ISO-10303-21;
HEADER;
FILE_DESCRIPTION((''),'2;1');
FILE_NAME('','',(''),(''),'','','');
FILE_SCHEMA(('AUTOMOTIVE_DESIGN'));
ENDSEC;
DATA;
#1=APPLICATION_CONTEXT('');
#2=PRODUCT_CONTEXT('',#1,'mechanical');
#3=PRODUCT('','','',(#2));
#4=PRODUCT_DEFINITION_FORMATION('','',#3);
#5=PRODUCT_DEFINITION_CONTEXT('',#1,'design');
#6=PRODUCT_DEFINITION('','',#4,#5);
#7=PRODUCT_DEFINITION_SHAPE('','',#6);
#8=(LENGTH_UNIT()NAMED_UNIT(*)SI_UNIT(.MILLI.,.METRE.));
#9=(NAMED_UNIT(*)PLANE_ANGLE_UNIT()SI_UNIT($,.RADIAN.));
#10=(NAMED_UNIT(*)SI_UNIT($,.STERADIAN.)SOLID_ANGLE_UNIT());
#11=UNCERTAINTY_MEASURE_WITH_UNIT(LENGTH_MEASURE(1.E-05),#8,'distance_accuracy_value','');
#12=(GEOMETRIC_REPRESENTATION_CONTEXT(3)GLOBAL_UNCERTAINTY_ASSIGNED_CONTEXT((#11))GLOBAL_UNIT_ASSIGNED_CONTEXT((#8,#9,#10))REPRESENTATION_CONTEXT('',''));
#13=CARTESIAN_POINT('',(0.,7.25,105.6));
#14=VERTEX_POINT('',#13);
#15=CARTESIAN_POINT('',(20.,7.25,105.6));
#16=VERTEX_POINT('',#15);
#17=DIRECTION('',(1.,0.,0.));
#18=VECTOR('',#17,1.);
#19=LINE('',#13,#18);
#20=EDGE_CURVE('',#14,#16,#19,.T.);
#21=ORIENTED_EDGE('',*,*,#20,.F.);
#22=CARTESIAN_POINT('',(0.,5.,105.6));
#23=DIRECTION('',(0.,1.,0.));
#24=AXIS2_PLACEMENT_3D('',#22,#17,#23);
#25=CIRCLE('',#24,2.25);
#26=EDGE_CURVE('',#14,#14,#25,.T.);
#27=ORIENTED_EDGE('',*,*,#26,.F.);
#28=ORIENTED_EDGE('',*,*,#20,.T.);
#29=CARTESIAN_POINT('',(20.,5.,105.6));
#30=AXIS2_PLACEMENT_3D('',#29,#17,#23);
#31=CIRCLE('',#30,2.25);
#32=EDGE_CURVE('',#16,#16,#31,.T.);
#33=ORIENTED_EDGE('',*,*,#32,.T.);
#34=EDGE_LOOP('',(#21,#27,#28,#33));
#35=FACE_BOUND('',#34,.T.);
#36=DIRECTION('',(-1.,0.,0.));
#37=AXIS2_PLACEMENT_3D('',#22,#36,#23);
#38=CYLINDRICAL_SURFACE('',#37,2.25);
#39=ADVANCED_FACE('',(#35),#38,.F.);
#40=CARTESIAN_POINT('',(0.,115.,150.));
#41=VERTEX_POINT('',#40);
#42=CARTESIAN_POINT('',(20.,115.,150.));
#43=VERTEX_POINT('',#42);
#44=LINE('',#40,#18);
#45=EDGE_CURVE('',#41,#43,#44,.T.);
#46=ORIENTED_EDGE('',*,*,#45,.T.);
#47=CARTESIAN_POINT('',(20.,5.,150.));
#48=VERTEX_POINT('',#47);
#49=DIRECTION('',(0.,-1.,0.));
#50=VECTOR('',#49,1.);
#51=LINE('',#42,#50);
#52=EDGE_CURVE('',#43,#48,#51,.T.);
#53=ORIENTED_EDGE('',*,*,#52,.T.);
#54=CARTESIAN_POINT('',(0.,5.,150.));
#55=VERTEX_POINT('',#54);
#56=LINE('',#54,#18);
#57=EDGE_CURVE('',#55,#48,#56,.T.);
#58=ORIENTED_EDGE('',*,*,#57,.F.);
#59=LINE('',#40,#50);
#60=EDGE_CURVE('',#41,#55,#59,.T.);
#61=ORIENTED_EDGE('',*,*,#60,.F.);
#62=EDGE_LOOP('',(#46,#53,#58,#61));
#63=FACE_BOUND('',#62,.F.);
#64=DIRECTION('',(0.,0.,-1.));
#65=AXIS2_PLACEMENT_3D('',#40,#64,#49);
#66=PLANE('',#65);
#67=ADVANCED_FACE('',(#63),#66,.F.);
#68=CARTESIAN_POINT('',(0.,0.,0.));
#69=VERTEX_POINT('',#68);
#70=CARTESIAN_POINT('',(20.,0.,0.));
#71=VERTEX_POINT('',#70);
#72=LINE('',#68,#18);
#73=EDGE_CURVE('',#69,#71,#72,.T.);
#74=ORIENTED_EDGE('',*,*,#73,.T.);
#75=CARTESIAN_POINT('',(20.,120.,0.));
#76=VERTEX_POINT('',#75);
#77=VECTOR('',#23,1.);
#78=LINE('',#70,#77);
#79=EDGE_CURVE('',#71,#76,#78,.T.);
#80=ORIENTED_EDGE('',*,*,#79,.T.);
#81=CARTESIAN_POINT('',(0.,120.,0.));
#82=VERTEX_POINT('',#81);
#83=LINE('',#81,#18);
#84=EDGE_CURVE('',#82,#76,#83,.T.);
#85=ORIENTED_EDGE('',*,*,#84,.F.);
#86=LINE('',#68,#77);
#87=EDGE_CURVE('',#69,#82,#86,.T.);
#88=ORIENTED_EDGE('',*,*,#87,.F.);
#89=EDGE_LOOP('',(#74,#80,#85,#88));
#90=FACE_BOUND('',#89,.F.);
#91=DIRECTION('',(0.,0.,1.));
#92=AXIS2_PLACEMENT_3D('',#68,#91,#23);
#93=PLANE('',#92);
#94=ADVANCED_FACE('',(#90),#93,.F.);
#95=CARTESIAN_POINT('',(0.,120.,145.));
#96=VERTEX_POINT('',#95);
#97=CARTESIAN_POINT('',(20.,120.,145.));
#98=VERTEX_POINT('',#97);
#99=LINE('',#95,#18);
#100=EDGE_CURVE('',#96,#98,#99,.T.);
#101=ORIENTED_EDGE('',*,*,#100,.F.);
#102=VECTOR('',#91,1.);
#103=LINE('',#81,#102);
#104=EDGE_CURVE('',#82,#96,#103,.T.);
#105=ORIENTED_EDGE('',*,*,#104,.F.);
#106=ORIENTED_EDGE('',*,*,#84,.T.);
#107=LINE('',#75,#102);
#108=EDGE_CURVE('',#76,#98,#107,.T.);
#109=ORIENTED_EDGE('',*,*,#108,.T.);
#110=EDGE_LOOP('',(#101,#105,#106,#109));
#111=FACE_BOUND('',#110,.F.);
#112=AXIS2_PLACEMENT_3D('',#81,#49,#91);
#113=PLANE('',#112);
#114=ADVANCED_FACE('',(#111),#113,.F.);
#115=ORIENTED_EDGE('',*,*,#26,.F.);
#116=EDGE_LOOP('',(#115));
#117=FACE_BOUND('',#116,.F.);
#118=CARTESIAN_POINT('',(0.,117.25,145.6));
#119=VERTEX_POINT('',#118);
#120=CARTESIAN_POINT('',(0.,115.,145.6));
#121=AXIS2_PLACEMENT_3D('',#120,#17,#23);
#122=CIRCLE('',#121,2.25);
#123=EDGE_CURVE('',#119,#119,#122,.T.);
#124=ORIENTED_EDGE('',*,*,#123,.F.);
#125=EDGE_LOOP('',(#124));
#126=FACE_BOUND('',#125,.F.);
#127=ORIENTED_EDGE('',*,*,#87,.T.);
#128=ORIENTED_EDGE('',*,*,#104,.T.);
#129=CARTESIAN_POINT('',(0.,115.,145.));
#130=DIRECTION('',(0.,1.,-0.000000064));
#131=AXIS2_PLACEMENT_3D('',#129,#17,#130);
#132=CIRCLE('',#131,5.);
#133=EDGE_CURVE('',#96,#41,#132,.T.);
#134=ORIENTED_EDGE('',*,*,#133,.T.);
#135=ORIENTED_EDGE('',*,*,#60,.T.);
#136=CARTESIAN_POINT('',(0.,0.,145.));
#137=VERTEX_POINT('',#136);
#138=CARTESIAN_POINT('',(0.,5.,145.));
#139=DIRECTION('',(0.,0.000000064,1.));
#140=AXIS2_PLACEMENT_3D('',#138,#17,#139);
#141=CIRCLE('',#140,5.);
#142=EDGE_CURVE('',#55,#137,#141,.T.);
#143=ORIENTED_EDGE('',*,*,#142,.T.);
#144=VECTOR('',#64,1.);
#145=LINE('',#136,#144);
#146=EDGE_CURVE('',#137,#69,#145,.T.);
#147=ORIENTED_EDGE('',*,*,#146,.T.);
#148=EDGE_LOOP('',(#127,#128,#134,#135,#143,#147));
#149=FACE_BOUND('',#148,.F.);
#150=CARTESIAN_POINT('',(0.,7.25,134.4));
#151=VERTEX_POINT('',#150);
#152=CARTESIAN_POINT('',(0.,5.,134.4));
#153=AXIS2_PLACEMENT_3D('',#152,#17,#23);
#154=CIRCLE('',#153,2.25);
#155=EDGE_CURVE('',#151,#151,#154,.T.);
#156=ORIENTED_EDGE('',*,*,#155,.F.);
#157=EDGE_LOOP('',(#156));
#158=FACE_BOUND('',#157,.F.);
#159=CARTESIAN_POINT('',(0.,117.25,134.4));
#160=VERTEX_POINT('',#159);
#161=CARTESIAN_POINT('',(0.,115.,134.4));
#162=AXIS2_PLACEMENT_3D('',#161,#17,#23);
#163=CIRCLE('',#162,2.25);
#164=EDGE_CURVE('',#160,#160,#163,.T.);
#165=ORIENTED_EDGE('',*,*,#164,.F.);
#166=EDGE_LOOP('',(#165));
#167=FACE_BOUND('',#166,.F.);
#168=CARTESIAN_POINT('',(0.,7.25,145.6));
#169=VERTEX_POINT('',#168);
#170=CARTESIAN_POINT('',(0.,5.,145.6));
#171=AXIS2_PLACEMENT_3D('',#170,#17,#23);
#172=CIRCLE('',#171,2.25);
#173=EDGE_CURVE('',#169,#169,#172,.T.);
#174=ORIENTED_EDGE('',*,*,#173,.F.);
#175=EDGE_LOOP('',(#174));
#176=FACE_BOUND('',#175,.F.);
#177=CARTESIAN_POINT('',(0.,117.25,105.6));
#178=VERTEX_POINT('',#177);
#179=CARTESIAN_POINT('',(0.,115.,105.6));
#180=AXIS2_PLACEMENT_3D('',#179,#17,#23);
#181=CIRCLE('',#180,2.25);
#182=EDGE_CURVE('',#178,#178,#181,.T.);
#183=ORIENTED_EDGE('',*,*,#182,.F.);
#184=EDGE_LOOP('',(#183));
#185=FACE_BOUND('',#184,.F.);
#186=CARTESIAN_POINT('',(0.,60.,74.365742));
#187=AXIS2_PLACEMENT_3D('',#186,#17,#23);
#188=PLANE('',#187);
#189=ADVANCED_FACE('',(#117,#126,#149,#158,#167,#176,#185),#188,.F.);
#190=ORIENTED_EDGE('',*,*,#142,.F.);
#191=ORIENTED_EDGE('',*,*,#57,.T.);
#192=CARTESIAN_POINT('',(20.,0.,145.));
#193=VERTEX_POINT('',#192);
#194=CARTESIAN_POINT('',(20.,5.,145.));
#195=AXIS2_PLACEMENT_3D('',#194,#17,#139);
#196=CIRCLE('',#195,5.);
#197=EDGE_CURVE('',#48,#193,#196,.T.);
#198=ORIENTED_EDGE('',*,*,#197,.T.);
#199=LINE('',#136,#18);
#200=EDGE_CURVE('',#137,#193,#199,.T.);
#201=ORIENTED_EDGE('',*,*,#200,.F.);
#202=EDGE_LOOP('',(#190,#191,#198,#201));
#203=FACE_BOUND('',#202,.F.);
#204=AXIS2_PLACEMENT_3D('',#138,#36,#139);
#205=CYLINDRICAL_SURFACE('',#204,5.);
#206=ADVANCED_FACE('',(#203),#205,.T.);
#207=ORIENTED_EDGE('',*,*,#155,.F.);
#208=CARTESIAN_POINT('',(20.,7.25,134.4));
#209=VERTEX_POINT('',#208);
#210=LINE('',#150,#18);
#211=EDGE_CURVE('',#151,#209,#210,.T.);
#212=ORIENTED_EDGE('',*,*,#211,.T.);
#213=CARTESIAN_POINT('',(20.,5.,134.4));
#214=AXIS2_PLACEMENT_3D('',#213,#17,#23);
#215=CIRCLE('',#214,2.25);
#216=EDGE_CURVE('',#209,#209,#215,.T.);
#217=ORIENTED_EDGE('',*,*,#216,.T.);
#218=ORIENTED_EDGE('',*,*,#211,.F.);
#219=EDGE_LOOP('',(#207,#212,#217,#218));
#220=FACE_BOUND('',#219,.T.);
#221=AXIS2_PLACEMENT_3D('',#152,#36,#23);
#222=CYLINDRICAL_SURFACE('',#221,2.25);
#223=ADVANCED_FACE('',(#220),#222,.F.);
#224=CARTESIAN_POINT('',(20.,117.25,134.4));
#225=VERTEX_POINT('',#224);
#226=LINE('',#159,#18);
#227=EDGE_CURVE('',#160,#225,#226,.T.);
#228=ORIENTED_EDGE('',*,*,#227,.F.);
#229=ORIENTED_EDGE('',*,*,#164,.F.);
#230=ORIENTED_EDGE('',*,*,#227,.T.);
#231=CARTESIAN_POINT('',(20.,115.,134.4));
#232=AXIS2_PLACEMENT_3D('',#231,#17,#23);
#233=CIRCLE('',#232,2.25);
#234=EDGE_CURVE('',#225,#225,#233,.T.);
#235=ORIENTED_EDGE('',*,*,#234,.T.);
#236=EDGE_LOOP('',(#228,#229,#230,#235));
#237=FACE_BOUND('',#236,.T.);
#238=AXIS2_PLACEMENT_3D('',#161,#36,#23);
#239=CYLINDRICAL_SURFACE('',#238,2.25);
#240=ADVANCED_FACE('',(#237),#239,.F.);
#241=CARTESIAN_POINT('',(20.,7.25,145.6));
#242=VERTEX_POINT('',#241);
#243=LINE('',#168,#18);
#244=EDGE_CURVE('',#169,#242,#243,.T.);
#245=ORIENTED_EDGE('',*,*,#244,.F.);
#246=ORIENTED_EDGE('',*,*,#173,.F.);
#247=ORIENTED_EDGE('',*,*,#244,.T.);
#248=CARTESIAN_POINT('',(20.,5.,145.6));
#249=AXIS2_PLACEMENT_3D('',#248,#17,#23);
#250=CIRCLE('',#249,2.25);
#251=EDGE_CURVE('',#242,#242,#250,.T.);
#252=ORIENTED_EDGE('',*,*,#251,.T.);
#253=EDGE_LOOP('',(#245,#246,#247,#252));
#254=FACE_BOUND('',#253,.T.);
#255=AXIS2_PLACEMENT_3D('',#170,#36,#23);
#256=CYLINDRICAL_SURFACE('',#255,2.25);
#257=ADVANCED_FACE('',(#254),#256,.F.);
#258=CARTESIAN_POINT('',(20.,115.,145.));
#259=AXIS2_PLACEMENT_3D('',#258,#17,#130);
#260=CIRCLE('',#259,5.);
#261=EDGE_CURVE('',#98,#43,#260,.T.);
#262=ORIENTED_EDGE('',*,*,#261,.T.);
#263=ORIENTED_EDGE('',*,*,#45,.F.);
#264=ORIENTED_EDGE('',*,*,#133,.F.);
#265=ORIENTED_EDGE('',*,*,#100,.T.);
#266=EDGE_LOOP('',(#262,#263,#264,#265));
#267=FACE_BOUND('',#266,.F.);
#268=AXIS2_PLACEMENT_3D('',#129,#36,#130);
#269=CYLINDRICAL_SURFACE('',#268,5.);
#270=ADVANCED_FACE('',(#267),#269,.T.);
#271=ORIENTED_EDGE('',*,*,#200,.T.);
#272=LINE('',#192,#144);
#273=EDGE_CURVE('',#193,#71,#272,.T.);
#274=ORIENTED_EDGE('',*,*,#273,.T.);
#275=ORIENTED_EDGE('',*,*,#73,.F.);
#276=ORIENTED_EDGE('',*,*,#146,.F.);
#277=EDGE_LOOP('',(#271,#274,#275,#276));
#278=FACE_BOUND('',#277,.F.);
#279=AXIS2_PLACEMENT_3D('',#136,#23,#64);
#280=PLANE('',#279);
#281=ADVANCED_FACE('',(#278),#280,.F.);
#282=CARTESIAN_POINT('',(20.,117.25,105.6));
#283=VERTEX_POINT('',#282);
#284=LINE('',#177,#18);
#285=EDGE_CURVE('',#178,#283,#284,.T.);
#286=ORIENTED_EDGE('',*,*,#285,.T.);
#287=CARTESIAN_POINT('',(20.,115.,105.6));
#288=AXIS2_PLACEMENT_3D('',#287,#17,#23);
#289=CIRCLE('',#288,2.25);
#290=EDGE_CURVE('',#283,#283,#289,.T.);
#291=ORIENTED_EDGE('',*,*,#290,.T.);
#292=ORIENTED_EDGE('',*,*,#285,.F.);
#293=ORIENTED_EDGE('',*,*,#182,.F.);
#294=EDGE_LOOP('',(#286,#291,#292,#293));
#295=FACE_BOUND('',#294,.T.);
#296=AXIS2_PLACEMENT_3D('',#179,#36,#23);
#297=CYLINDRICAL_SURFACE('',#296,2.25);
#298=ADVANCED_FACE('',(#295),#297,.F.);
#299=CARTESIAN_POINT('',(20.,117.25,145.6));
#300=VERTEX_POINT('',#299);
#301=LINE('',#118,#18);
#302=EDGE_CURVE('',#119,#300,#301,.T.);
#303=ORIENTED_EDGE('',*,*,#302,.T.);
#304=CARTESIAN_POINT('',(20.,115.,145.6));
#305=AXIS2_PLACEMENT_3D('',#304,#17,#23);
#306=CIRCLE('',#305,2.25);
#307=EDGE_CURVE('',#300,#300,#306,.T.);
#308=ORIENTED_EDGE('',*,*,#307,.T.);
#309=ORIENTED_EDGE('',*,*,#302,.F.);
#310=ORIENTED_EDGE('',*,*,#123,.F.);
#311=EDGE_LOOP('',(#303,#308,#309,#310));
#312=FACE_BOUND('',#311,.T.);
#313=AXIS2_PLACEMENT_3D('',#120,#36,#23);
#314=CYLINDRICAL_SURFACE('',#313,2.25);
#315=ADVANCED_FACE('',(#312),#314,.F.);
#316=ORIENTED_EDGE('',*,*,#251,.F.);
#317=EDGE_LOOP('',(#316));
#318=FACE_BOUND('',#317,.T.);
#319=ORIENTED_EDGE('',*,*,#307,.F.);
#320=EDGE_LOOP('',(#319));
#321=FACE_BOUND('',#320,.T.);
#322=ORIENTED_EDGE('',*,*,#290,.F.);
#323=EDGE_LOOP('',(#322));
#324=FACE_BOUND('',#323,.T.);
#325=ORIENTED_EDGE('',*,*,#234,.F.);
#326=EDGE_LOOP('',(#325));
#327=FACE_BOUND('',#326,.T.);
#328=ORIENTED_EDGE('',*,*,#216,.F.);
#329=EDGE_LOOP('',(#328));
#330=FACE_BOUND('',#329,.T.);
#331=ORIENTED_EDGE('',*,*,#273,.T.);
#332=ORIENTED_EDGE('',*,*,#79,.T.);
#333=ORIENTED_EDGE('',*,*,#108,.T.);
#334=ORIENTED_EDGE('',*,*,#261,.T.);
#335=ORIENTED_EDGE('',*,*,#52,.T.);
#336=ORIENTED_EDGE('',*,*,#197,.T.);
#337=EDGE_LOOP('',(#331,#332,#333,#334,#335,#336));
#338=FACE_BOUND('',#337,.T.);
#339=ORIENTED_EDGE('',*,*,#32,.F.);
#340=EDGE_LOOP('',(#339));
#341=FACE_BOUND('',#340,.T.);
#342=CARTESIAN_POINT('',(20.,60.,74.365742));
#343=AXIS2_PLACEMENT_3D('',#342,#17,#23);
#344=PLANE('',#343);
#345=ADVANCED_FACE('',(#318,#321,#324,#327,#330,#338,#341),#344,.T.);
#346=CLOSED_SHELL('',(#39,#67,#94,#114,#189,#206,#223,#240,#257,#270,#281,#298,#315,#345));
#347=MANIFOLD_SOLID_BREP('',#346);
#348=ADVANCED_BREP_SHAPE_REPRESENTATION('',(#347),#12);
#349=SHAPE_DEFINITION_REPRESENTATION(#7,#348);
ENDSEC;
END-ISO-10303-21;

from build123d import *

# Parameters (mm, degrees)
F0_R     = 2.25
F1_DEPTH = 20


with BuildPart() as f1:
    # F0 (on Right) → F1 (new body)
    with BuildSketch(Plane.YZ):
        with BuildLine():
            Line((115, 150), (5, 150))
            ThreePointArc((5, 150), (1.464466, 148.535534), (0, 145))
            Line((0, 145), (0, 0))
            Line((0, 0), (120, 0))
            Line((120, 0), (120, 145))
            ThreePointArc((120, 145), (118.535534, 148.535534), (115, 150))
        make_face()
        with Locations((5, 105.6)):
            Circle(F0_R, mode=Mode.SUBTRACT)
        with Locations((5, 134.4)):
            Circle(F0_R, mode=Mode.SUBTRACT)
        with Locations((5, 145.6)):
            Circle(F0_R, mode=Mode.SUBTRACT)
        with Locations((115, 105.6)):
            Circle(F0_R, mode=Mode.SUBTRACT)
        with Locations((115, 134.4)):
            Circle(F0_R, mode=Mode.SUBTRACT)
        with Locations((115, 145.6)):
            Circle(F0_R, mode=Mode.SUBTRACT)
    extrude(amount=F1_DEPTH)


solid = f1.part
